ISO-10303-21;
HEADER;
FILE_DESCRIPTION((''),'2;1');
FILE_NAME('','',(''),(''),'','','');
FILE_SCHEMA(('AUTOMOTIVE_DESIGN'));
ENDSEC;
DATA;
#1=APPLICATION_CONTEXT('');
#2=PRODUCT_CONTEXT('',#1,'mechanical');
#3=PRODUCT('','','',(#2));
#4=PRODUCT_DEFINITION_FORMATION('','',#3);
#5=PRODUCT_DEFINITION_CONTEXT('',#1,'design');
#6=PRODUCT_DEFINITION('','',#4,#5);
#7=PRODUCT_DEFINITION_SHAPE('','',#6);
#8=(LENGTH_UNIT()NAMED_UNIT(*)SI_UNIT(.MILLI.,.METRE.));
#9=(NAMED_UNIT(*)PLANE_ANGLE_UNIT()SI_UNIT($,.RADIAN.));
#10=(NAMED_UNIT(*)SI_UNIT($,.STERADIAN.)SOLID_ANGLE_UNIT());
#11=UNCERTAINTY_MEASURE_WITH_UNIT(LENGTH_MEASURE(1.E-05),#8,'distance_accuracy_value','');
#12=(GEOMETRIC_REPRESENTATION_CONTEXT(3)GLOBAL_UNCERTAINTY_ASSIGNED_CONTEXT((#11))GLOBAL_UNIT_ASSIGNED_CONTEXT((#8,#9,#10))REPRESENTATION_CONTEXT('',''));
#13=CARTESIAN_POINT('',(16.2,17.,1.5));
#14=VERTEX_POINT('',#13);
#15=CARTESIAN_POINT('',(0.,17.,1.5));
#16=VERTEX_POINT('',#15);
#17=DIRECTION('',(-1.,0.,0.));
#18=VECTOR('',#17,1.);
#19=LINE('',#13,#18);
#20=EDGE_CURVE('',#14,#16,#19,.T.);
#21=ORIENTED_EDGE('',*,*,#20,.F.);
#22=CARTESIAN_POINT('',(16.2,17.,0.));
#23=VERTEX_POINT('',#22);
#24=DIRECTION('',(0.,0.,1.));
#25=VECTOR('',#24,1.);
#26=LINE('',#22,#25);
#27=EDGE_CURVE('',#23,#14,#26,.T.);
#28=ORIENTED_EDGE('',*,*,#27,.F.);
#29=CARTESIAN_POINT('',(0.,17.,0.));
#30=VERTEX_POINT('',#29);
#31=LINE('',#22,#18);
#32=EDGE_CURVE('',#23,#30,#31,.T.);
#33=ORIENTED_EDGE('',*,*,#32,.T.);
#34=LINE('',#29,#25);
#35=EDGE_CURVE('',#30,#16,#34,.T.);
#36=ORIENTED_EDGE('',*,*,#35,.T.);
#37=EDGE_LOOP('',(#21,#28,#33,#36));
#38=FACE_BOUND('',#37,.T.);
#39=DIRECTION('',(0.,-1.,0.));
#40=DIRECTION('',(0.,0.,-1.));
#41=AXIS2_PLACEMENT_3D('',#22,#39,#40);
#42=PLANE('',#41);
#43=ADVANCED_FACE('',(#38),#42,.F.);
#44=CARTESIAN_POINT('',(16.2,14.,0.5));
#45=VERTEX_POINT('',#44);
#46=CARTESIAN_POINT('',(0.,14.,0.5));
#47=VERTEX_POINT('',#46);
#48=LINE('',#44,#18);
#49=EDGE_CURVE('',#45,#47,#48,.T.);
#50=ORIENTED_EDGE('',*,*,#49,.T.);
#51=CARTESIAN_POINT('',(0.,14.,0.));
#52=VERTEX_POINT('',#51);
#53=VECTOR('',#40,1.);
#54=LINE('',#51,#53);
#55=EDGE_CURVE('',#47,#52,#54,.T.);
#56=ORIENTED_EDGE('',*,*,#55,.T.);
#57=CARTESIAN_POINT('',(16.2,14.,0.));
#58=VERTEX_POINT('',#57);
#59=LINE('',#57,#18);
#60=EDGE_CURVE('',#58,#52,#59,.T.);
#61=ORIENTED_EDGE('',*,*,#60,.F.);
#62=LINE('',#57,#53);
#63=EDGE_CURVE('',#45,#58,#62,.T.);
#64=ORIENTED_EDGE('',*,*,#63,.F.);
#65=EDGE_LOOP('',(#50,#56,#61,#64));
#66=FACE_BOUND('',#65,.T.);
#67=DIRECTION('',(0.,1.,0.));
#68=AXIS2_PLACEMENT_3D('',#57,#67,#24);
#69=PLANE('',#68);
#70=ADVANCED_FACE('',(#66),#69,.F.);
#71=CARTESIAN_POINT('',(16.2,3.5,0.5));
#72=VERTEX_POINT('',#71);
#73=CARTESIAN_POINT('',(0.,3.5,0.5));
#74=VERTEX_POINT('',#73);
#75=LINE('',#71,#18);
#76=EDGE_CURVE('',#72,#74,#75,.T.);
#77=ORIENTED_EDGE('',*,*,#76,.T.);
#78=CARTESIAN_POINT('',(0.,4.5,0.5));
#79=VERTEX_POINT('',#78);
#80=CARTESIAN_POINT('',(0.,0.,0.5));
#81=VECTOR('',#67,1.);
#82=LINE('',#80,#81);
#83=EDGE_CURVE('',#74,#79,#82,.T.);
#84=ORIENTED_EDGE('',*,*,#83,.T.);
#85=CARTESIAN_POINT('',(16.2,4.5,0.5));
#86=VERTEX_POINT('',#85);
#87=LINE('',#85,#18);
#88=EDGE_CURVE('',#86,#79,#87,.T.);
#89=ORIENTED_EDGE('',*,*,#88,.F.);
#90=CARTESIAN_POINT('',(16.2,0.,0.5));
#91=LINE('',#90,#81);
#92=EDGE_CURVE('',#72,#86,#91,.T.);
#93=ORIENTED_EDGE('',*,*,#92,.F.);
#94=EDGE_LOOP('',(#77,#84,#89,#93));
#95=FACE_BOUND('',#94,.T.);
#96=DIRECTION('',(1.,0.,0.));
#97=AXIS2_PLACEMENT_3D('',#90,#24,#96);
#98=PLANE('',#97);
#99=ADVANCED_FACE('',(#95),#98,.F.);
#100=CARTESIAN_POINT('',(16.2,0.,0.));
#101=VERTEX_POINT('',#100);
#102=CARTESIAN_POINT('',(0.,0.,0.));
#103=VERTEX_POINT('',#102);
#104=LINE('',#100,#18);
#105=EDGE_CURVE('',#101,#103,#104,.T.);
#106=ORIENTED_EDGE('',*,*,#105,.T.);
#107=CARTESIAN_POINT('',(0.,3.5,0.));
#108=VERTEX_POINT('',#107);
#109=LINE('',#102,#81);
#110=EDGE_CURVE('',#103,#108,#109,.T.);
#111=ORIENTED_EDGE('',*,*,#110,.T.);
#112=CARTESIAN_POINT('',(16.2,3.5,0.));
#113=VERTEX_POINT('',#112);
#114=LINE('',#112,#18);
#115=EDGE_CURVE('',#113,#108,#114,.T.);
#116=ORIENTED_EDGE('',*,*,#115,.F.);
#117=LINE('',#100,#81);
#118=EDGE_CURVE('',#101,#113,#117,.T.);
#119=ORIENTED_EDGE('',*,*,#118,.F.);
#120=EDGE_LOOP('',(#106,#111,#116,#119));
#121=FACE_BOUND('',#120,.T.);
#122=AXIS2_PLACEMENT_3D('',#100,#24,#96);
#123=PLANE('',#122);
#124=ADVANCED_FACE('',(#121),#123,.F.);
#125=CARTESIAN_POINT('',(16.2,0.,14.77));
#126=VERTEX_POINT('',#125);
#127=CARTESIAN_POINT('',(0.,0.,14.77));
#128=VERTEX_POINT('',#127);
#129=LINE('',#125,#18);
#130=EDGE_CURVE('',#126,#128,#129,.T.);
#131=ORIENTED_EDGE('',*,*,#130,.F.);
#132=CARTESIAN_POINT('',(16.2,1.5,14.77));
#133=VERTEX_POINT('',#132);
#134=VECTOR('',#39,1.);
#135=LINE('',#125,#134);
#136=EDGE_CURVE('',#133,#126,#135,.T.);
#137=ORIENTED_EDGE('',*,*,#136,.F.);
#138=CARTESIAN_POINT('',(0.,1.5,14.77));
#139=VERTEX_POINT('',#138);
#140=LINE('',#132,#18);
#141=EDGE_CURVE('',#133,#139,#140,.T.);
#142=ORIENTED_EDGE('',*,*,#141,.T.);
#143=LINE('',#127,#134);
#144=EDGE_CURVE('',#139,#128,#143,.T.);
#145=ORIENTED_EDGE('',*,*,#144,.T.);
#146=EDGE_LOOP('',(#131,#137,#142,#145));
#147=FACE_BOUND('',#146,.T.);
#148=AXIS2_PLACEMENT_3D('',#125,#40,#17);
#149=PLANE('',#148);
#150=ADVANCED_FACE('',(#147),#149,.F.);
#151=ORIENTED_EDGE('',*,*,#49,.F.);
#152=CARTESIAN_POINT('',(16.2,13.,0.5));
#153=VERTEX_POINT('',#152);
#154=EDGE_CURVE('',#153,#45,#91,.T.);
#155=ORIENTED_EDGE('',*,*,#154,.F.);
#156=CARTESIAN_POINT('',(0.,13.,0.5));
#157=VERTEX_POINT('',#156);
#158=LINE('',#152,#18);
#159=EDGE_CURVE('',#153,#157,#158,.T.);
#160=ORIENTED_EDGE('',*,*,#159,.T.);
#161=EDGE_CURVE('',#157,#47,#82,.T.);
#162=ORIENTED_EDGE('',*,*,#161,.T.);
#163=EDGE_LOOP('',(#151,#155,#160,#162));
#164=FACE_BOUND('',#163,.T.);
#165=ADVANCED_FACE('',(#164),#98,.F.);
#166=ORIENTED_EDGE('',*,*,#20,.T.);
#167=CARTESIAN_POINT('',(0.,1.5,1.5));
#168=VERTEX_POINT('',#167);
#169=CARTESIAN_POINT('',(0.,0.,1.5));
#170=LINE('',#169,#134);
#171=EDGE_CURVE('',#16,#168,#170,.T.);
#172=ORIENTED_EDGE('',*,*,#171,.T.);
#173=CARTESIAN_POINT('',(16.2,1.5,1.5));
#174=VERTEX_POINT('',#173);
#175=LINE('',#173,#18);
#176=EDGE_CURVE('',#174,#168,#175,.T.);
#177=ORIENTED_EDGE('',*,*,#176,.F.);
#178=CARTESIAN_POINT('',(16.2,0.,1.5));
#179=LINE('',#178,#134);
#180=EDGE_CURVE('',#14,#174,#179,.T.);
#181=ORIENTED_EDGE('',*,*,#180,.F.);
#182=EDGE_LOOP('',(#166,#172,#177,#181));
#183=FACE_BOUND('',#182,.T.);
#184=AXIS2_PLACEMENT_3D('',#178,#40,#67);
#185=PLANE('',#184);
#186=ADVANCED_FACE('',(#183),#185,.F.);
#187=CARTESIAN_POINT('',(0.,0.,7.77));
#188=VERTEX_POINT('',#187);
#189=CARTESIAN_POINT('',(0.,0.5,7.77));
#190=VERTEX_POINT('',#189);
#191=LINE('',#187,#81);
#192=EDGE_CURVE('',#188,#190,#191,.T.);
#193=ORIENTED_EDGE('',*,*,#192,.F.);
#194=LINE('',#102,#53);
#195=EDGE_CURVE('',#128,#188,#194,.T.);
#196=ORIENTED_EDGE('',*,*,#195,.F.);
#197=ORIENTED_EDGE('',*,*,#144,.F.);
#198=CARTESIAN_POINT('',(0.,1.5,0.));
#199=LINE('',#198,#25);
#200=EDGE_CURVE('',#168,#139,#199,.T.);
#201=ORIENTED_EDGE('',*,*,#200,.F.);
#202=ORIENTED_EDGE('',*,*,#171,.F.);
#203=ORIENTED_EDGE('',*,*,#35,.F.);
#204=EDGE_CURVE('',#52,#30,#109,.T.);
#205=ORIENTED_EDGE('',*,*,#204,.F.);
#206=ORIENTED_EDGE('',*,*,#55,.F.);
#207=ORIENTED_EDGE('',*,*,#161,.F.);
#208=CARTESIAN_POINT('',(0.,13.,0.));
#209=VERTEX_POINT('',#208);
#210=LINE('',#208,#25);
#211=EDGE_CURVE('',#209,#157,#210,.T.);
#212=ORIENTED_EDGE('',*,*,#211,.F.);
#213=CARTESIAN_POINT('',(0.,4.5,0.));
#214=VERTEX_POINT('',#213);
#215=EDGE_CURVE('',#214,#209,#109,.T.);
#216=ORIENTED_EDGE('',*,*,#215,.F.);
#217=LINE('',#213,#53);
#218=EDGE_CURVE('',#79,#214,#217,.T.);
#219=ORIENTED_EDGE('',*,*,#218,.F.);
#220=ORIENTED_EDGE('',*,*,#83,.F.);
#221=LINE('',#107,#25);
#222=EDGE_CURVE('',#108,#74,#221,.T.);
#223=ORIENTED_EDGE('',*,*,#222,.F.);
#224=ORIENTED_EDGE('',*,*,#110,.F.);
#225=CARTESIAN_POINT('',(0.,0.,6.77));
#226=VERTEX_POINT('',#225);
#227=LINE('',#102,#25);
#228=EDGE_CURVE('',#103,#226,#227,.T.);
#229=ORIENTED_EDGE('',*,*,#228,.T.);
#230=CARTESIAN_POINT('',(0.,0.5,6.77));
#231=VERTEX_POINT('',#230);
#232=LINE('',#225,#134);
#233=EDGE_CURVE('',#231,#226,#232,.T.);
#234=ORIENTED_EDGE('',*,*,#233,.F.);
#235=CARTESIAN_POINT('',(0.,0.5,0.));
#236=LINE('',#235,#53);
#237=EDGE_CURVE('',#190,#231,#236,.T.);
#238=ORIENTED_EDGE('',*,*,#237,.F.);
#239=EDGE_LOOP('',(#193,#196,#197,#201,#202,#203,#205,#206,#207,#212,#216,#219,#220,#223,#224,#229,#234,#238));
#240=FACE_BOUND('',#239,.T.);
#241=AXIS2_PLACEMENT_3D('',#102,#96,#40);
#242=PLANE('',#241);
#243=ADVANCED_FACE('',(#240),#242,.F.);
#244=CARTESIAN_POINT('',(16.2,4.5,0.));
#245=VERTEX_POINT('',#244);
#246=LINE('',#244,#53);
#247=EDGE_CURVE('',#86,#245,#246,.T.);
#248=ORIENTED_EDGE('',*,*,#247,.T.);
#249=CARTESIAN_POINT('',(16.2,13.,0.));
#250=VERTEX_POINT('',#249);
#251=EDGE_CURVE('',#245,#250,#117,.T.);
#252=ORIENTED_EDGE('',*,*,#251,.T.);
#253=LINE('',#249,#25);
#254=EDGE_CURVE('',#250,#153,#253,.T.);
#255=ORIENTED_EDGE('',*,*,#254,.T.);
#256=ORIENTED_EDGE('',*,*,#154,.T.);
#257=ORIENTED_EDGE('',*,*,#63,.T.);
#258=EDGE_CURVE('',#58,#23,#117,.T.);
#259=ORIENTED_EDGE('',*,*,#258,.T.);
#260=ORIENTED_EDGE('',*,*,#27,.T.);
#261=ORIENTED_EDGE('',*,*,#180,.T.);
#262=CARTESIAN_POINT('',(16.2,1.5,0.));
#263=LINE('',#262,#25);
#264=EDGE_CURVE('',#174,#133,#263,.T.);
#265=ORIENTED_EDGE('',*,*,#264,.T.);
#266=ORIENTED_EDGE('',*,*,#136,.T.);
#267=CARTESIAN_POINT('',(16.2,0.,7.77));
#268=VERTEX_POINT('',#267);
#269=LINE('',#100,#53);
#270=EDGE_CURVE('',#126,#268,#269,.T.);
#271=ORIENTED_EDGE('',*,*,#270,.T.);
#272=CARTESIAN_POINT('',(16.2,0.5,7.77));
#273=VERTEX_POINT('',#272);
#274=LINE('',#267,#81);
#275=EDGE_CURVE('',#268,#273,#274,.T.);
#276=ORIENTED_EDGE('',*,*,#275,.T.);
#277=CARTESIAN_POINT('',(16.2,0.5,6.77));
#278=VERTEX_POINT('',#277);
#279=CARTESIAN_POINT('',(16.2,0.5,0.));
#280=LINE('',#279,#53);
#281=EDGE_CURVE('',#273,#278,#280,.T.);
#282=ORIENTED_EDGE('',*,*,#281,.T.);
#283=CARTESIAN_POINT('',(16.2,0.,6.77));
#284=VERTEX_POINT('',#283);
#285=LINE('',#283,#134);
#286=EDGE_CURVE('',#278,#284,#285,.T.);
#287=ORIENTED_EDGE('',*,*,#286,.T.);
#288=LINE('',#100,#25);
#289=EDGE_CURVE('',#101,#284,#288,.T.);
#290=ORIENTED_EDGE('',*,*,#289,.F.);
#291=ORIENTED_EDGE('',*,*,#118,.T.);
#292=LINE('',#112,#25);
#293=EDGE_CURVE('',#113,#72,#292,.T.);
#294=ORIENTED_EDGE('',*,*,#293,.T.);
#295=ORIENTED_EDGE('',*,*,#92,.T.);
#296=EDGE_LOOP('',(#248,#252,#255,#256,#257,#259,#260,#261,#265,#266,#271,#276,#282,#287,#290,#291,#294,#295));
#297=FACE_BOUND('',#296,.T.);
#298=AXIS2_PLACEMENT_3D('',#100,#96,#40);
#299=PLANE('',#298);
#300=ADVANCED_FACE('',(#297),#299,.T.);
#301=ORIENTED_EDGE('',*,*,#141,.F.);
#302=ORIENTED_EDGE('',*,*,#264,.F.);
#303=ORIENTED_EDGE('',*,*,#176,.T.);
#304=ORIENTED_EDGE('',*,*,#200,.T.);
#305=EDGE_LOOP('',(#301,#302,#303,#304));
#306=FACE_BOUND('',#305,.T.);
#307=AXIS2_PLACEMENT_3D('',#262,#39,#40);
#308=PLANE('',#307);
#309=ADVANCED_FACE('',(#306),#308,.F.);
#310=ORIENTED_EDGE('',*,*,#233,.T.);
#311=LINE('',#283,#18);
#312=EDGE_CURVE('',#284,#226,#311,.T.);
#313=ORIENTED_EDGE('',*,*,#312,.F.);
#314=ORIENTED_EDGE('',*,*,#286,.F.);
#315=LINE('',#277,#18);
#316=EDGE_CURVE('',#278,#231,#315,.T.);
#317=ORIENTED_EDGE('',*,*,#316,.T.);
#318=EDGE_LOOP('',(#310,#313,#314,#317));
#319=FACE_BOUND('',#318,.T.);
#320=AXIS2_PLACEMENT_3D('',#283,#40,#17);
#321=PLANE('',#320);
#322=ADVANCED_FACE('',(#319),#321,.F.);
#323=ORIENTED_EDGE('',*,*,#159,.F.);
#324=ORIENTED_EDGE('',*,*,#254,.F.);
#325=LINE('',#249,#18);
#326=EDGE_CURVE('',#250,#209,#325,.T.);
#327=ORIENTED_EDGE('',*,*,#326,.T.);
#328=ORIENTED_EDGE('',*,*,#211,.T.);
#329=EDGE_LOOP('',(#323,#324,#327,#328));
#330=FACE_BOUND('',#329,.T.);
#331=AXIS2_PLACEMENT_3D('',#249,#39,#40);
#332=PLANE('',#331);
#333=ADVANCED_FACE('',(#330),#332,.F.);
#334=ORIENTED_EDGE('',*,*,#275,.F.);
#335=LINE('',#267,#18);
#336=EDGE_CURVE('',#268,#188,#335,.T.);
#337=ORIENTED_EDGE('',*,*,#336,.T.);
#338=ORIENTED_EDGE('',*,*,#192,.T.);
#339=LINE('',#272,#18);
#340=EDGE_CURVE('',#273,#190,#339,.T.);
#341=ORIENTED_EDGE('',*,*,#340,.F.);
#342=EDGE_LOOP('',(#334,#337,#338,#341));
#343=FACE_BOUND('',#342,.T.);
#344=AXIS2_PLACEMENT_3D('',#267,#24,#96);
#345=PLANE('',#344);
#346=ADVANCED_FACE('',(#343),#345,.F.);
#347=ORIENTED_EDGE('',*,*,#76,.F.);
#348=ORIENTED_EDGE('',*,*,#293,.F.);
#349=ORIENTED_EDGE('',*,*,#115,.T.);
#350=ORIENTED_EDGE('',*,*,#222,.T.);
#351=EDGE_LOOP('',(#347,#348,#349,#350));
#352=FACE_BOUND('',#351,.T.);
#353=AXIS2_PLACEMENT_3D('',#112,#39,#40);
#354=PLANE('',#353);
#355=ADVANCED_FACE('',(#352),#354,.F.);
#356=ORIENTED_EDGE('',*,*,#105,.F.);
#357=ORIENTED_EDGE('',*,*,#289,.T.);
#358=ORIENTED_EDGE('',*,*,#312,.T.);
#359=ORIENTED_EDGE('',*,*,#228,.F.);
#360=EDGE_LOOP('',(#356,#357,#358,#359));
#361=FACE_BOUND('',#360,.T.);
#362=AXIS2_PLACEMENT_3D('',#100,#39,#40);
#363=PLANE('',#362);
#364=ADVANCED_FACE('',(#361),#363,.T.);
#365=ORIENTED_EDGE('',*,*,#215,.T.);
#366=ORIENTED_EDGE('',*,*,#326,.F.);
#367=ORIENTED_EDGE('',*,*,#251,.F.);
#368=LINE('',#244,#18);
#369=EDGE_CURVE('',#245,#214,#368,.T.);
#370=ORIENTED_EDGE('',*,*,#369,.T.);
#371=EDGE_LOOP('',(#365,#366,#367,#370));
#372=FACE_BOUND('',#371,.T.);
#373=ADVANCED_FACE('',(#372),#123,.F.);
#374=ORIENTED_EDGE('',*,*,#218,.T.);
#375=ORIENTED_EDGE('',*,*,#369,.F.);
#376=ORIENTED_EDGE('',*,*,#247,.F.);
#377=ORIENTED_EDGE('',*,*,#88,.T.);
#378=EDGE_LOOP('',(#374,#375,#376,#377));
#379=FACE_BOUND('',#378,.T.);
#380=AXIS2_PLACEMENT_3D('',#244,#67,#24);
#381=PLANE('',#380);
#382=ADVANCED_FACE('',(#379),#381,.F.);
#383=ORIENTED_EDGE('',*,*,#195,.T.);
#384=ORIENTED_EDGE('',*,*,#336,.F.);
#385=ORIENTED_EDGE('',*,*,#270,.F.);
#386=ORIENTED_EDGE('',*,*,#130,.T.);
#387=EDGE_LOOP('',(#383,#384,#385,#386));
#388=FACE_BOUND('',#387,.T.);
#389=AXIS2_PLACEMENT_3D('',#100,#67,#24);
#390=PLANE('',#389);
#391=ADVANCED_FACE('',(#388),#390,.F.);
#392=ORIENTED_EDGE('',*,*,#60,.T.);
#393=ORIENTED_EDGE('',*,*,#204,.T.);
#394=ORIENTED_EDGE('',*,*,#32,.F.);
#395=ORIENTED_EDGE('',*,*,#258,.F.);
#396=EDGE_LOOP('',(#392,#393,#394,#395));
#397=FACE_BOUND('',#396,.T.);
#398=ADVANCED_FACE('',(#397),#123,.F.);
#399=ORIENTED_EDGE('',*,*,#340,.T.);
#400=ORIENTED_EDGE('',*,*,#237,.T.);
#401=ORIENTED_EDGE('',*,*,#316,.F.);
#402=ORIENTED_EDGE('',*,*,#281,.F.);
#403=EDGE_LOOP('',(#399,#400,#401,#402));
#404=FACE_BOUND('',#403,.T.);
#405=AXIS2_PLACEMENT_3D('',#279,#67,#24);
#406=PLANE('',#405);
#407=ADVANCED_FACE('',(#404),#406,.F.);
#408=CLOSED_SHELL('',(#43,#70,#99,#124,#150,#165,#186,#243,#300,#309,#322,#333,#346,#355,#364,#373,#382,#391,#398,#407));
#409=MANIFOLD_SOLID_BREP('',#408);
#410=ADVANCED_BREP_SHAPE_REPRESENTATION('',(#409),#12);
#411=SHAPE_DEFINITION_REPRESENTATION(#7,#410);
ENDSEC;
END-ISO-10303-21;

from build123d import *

# Parameters (mm, degrees)
BOSS_EXTRUDE1_DEPTH = 16.2


with BuildPart() as part:
    # Sketch1 → Boss-Extrude1 (new body)
    with BuildSketch(Plane(origin=(0, 0, 0), x_dir=(0, 0, -1), z_dir=(1, 0, 0))):
        Polygon((-6.77, 0), (0, 0), (0, 3.5), (-0.5, 3.5), (-0.5, 4.5), (0, 4.5), (0, 13), (-0.5, 13), (-0.5, 14), (0, 14), (0, 17), (-1.5, 17), (-1.5, 1.5), (-14.77, 1.5), (-14.77, 0), (-7.77, 0), (-7.77, 0.5), (-6.77, 0.5), align=None)
    extrude(amount=BOSS_EXTRUDE1_DEPTH)


solid = part.part
